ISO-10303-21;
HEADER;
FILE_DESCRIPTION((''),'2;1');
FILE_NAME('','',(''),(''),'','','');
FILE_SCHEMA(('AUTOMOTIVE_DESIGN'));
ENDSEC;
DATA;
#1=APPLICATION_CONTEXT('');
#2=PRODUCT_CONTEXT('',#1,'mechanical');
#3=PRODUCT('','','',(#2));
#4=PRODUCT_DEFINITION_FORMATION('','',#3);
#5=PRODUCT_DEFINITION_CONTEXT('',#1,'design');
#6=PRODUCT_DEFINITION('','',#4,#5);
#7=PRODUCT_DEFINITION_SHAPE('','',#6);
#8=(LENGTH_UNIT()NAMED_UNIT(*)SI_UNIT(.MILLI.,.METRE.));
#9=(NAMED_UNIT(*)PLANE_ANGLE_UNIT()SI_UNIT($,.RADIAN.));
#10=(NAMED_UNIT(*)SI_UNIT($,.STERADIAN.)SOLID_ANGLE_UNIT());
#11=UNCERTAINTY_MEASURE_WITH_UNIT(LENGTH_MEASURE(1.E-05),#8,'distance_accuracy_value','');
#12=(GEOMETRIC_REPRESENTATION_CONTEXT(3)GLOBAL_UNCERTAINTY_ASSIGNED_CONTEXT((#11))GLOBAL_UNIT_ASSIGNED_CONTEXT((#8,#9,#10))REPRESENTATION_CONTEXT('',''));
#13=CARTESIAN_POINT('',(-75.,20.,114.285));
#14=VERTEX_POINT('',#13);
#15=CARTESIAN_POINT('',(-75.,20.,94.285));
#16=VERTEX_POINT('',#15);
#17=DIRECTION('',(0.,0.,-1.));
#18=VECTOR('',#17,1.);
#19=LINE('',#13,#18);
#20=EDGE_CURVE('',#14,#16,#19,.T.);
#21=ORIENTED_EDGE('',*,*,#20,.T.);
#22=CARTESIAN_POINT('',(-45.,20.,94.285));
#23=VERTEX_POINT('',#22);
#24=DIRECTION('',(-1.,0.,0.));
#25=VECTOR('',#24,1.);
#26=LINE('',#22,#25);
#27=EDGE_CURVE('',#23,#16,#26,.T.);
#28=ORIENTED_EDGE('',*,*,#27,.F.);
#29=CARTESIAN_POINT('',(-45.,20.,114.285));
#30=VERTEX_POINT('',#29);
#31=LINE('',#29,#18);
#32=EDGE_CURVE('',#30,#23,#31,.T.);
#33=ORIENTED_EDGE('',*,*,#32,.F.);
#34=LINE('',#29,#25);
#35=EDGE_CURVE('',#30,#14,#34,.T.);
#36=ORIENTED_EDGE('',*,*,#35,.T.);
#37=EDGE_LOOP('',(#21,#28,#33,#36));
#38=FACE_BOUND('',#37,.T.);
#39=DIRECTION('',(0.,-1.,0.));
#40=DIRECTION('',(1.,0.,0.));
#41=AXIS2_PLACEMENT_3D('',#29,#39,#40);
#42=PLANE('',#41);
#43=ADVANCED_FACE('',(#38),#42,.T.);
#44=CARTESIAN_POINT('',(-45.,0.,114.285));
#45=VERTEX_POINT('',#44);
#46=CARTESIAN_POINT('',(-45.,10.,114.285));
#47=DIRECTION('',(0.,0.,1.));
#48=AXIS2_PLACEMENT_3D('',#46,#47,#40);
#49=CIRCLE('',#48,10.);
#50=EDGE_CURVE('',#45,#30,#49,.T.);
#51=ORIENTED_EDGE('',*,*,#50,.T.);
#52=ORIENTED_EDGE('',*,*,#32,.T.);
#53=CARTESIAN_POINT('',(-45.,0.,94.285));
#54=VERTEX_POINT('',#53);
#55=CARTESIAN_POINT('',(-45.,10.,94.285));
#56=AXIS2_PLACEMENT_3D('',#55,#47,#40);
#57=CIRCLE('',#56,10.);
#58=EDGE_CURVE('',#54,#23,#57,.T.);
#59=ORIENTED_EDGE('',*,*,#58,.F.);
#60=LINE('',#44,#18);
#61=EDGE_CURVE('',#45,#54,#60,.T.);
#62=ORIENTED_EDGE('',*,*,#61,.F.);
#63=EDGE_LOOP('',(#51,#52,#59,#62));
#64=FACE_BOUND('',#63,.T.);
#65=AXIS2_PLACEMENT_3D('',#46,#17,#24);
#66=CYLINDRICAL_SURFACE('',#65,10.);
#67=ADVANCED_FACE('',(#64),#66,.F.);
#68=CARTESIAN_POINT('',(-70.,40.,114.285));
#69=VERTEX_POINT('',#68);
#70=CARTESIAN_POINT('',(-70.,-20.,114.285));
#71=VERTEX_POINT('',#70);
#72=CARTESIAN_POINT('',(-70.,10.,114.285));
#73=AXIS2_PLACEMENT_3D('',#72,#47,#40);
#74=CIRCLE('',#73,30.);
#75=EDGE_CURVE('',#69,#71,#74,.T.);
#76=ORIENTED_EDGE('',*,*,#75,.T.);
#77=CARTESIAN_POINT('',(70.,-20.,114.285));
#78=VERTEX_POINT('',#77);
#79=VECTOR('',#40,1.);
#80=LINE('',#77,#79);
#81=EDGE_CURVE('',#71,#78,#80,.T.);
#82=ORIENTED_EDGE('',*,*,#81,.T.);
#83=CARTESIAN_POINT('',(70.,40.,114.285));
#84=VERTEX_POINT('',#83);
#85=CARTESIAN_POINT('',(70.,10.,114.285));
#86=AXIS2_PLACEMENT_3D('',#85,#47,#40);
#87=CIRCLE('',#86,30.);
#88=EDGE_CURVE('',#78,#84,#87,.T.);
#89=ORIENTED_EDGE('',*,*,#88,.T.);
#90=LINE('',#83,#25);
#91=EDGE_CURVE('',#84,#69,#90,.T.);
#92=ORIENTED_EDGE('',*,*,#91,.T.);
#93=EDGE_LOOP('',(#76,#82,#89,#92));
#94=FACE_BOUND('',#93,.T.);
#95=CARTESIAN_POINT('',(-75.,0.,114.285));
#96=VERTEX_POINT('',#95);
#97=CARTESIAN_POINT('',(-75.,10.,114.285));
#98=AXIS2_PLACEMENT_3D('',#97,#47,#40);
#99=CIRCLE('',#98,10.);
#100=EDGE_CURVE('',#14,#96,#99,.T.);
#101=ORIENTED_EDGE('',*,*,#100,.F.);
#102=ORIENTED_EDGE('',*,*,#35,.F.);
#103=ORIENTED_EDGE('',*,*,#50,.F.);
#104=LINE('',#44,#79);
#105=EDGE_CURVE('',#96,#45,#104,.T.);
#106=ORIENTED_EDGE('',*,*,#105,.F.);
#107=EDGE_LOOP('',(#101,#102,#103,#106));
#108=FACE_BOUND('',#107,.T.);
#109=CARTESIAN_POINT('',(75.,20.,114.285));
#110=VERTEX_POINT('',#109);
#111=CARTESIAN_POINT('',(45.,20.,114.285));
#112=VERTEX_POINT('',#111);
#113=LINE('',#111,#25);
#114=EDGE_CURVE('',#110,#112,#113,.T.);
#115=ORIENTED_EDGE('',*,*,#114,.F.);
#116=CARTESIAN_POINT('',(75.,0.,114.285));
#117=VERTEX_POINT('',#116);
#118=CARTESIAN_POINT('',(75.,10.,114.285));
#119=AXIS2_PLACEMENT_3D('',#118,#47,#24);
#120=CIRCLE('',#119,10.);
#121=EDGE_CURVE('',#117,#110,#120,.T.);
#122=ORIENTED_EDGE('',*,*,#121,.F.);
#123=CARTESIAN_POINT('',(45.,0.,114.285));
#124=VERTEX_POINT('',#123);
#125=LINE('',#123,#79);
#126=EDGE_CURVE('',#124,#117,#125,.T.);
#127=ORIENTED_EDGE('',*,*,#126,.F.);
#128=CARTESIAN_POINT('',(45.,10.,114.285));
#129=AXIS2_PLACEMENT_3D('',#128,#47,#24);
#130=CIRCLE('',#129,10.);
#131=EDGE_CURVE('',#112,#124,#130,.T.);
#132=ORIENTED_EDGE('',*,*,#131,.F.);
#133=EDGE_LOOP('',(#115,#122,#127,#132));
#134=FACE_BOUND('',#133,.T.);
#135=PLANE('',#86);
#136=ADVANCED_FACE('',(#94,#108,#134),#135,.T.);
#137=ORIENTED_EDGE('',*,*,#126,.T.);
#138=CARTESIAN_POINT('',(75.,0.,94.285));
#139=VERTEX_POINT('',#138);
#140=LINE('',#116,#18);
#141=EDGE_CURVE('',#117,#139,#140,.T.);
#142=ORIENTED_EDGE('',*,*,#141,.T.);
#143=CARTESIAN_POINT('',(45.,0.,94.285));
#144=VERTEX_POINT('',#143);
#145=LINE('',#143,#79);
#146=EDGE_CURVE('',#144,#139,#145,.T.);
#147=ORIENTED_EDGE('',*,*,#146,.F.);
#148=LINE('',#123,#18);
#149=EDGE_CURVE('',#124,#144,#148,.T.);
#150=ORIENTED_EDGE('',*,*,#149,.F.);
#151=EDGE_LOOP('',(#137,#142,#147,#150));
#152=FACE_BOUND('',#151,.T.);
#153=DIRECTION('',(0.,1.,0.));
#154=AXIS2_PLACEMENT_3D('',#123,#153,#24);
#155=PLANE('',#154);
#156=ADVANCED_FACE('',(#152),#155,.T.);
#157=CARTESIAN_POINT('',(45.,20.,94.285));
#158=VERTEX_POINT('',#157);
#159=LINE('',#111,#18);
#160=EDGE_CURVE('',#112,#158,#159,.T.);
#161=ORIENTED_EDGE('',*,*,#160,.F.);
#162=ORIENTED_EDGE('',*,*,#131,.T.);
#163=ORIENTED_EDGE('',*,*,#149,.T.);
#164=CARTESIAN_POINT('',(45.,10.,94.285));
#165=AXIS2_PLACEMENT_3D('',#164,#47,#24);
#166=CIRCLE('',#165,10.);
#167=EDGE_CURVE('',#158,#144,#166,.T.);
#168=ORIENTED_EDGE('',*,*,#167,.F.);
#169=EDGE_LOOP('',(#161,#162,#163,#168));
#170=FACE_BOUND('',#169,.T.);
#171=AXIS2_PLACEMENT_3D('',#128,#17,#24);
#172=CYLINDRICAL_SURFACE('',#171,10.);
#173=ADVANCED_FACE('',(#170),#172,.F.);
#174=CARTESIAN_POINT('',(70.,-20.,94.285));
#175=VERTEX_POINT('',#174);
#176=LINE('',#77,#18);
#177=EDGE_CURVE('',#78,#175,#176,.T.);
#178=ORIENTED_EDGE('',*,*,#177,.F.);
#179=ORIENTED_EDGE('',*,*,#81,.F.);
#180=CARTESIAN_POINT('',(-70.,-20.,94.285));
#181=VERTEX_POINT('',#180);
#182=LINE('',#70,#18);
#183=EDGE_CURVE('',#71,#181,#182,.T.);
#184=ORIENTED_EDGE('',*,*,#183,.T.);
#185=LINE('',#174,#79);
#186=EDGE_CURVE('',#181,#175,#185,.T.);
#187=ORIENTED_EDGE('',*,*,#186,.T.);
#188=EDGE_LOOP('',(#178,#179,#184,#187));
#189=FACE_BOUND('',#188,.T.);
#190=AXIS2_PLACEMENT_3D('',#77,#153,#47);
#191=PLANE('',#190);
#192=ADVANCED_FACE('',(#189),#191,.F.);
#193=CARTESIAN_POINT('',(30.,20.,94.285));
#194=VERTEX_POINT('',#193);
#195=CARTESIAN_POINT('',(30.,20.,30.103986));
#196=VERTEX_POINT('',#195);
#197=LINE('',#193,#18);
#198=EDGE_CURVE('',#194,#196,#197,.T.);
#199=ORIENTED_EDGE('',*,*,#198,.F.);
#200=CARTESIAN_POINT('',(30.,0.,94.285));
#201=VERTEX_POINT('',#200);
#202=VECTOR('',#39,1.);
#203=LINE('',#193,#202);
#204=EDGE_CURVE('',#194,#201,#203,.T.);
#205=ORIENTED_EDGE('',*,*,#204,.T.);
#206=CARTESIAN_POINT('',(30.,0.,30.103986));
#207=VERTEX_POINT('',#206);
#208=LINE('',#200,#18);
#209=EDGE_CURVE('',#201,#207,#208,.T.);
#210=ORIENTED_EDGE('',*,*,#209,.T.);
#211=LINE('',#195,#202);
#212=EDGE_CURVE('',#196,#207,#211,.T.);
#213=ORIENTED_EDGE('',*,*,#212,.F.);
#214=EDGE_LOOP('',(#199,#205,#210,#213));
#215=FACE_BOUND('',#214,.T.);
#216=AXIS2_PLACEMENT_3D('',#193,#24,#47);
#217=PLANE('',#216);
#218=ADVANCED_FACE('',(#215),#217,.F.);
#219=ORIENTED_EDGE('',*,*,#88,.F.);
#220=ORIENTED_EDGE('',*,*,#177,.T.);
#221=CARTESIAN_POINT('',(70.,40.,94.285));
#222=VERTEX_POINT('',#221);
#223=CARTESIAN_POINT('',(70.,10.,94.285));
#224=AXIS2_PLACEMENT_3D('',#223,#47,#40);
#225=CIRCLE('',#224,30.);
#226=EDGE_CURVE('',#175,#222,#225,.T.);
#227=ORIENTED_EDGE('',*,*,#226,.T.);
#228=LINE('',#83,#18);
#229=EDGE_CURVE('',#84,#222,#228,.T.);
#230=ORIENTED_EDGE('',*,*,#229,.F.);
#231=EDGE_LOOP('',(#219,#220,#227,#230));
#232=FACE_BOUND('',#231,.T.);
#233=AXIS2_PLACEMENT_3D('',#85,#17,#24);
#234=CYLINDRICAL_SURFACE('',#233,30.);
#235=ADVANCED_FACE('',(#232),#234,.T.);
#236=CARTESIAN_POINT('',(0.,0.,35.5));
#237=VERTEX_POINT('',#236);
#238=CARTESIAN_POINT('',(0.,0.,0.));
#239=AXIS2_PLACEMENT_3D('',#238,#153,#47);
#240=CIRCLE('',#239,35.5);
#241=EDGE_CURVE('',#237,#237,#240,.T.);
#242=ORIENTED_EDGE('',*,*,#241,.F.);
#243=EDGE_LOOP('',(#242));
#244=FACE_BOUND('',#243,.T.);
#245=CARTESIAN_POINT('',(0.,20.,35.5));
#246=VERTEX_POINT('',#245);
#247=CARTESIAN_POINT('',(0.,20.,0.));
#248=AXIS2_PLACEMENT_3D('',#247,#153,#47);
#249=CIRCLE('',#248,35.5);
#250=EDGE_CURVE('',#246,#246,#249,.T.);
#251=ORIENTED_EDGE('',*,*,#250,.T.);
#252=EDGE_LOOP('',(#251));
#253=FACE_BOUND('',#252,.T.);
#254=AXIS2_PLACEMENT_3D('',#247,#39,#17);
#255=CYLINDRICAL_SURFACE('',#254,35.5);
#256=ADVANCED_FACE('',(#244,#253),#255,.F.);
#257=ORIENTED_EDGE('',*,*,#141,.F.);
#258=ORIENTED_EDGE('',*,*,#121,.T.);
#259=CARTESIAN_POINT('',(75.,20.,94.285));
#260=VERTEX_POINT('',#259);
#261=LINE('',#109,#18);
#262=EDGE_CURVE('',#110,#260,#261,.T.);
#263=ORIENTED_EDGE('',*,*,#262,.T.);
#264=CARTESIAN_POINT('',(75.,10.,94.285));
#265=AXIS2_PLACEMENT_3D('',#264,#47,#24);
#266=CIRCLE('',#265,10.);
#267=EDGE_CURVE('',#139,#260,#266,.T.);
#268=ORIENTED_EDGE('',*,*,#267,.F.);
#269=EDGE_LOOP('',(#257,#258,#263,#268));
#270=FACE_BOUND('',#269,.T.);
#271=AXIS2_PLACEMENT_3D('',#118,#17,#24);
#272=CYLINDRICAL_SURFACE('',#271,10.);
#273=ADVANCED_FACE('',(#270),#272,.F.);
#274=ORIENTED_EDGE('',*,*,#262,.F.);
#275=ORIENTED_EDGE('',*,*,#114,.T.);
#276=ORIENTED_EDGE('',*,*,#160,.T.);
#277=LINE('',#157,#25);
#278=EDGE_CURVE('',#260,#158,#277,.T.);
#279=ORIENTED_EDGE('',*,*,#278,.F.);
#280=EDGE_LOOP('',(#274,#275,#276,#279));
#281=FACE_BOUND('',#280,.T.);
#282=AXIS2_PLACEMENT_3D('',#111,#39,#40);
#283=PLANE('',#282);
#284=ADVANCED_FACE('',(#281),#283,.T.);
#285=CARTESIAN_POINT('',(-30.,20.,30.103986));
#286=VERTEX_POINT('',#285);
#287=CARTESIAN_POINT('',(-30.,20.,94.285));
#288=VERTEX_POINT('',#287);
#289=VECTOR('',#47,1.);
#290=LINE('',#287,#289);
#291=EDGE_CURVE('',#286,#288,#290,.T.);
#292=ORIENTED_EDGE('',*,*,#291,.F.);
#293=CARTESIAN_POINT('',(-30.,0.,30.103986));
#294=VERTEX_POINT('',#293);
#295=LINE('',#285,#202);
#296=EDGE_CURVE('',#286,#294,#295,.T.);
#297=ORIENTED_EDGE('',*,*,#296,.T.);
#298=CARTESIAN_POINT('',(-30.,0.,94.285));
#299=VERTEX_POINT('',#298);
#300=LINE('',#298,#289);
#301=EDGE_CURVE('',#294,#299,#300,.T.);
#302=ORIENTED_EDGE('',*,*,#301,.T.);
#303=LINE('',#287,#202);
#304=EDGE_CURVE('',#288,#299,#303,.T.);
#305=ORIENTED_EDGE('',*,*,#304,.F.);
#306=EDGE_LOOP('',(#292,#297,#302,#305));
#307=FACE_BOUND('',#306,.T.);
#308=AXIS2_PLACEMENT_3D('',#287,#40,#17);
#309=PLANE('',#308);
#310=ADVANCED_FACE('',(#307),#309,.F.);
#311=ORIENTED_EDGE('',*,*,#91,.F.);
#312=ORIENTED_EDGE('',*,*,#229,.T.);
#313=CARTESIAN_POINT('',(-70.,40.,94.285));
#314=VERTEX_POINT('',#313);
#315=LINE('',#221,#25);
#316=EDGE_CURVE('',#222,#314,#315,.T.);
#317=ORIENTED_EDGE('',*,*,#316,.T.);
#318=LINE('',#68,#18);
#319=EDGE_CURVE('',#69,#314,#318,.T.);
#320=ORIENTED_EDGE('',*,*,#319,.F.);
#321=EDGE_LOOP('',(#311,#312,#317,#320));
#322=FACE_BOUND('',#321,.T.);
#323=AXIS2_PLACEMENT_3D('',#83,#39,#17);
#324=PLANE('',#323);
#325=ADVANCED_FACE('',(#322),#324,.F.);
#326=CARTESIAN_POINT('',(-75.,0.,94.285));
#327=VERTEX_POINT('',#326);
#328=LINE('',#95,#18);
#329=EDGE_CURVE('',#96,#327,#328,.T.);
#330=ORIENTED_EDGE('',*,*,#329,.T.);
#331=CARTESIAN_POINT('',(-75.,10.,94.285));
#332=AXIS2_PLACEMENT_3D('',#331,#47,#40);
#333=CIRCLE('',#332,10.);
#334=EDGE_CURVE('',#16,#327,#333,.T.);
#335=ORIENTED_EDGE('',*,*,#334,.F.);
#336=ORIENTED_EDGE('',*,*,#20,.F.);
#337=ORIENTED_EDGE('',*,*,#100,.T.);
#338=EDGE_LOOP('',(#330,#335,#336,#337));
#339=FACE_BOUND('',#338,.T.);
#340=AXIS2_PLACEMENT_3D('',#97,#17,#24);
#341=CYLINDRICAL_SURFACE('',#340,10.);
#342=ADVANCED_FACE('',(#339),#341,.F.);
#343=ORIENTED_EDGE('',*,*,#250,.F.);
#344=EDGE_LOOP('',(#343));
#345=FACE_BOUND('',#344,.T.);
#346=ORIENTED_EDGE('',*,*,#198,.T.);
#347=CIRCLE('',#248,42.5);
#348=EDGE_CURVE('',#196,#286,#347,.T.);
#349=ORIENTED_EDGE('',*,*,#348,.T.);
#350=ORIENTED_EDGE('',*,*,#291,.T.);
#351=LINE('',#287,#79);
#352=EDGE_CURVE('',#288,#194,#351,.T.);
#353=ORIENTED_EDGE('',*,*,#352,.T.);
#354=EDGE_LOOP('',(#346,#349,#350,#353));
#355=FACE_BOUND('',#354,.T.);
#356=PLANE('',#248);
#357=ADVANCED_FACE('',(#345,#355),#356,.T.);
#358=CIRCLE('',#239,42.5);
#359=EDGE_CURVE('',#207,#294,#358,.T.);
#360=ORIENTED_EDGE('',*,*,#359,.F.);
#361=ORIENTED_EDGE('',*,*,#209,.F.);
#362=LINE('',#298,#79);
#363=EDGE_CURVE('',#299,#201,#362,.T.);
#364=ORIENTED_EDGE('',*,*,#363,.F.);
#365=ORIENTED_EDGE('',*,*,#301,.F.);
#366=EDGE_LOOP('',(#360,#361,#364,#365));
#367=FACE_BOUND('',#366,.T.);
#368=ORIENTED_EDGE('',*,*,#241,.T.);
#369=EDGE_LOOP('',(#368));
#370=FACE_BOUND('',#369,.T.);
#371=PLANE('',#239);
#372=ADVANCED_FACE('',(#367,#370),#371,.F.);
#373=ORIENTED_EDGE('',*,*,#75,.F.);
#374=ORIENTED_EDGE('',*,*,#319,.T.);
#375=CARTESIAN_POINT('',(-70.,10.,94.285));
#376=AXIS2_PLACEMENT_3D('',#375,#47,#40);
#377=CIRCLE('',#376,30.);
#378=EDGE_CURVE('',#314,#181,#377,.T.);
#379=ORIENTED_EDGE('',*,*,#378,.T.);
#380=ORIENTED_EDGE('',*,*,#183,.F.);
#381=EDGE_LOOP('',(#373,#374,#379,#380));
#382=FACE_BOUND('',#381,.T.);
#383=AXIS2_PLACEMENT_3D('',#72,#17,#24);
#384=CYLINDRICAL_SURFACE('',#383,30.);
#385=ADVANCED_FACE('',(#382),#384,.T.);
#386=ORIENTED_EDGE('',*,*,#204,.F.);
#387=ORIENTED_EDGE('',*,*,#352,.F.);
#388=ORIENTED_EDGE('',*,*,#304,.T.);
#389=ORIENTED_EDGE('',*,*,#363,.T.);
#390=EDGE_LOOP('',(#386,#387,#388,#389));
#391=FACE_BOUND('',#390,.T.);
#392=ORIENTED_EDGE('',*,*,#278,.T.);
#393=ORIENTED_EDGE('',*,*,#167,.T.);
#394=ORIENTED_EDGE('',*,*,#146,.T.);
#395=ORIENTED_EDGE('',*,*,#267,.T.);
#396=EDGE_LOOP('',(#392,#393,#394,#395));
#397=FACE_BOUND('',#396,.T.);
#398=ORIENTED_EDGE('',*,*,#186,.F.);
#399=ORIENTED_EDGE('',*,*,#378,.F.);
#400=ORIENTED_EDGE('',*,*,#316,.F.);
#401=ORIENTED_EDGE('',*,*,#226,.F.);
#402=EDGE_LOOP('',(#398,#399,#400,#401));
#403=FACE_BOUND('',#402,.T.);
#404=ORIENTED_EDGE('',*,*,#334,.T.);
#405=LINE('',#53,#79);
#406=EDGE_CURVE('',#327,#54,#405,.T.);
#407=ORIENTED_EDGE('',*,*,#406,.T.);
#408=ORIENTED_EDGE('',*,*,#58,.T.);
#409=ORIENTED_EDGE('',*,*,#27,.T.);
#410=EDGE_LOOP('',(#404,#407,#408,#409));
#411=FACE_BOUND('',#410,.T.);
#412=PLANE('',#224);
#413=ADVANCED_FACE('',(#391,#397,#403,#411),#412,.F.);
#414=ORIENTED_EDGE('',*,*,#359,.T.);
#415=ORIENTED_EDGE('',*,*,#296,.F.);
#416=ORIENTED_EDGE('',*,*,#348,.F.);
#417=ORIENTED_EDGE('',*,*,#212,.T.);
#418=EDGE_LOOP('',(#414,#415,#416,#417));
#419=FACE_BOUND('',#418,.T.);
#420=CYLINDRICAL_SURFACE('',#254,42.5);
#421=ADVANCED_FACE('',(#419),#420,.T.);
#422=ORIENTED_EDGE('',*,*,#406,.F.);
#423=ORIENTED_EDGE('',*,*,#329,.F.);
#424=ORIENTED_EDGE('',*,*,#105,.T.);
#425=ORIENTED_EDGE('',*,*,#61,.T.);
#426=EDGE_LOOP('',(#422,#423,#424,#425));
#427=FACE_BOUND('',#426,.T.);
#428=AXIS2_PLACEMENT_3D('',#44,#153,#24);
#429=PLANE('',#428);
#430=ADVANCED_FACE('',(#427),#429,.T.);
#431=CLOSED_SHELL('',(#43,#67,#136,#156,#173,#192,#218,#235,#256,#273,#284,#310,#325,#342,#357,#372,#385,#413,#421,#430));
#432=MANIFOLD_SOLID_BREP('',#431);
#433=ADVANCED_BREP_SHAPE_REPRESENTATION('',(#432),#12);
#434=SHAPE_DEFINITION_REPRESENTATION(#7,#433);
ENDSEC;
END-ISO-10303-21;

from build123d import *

# Parameters (mm, degrees)
SKETCH1_R           = 42.5
SKETCH1_R_2         = 35.5
BOSS_EXTRUDE3_DEPTH = 20
BOSS_EXTRUDE4_DEPTH = 20
BOSS_EXTRUDE6_DEPTH = 20


with BuildPart() as part:
    # Sketch1 → Boss-Extrude3 (new body)
    with BuildSketch(Plane(origin=(0, 0, 0), x_dir=(1, 0, 0), z_dir=(0, 1, 0))):
        Circle(SKETCH1_R)
        Circle(SKETCH1_R_2, mode=Mode.SUBTRACT)
    extrude(amount=BOSS_EXTRUDE3_DEPTH)

    # Sketch5 → Boss-Extrude4 (add)
    with BuildSketch(Plane(origin=(0, 0, 0), x_dir=(1, 0, 0), z_dir=(0, 1, 0))):
        with BuildLine():
            Line((-30, -94.285), (30, -94.285))
            Line((30, -94.285), (30, -30.103986447))
            ThreePointArc((30, -30.103986447), (0, -42.5), (-30, -30.103986447))
            Line((-30, -30.103986447), (-30, -94.285))
        make_face()
    extrude(amount=BOSS_EXTRUDE4_DEPTH)

    # Sketch6 → Boss-Extrude6 (add)
    with BuildSketch(Plane.XY.offset(94.285)):
        with BuildLine():
            Line((70, -20), (-70, -20))
            ThreePointArc((-70, -20), (-100, 10), (-70, 40))
            Line((-70, 40), (70, 40))
            ThreePointArc((70, 40), (100, 10), (70, -20))
        make_face()
        with BuildLine():
            Line((-45, 0), (-75, 0))
            ThreePointArc((-75, 0), (-85, 10), (-75, 20))
            Line((-75, 20), (-45, 20))
            ThreePointArc((-45, 20), (-35, 10), (-45, 0))
        make_face(mode=Mode.SUBTRACT)
        with BuildLine():
            Line((45, 0), (75, 0))
            ThreePointArc((75, 0), (85, 10), (75, 20))
            Line((75, 20), (45, 20))
            ThreePointArc((45, 20), (35, 10), (45, 0))
        make_face(mode=Mode.SUBTRACT)
    extrude(amount=BOSS_EXTRUDE6_DEPTH)


solid = part.part
